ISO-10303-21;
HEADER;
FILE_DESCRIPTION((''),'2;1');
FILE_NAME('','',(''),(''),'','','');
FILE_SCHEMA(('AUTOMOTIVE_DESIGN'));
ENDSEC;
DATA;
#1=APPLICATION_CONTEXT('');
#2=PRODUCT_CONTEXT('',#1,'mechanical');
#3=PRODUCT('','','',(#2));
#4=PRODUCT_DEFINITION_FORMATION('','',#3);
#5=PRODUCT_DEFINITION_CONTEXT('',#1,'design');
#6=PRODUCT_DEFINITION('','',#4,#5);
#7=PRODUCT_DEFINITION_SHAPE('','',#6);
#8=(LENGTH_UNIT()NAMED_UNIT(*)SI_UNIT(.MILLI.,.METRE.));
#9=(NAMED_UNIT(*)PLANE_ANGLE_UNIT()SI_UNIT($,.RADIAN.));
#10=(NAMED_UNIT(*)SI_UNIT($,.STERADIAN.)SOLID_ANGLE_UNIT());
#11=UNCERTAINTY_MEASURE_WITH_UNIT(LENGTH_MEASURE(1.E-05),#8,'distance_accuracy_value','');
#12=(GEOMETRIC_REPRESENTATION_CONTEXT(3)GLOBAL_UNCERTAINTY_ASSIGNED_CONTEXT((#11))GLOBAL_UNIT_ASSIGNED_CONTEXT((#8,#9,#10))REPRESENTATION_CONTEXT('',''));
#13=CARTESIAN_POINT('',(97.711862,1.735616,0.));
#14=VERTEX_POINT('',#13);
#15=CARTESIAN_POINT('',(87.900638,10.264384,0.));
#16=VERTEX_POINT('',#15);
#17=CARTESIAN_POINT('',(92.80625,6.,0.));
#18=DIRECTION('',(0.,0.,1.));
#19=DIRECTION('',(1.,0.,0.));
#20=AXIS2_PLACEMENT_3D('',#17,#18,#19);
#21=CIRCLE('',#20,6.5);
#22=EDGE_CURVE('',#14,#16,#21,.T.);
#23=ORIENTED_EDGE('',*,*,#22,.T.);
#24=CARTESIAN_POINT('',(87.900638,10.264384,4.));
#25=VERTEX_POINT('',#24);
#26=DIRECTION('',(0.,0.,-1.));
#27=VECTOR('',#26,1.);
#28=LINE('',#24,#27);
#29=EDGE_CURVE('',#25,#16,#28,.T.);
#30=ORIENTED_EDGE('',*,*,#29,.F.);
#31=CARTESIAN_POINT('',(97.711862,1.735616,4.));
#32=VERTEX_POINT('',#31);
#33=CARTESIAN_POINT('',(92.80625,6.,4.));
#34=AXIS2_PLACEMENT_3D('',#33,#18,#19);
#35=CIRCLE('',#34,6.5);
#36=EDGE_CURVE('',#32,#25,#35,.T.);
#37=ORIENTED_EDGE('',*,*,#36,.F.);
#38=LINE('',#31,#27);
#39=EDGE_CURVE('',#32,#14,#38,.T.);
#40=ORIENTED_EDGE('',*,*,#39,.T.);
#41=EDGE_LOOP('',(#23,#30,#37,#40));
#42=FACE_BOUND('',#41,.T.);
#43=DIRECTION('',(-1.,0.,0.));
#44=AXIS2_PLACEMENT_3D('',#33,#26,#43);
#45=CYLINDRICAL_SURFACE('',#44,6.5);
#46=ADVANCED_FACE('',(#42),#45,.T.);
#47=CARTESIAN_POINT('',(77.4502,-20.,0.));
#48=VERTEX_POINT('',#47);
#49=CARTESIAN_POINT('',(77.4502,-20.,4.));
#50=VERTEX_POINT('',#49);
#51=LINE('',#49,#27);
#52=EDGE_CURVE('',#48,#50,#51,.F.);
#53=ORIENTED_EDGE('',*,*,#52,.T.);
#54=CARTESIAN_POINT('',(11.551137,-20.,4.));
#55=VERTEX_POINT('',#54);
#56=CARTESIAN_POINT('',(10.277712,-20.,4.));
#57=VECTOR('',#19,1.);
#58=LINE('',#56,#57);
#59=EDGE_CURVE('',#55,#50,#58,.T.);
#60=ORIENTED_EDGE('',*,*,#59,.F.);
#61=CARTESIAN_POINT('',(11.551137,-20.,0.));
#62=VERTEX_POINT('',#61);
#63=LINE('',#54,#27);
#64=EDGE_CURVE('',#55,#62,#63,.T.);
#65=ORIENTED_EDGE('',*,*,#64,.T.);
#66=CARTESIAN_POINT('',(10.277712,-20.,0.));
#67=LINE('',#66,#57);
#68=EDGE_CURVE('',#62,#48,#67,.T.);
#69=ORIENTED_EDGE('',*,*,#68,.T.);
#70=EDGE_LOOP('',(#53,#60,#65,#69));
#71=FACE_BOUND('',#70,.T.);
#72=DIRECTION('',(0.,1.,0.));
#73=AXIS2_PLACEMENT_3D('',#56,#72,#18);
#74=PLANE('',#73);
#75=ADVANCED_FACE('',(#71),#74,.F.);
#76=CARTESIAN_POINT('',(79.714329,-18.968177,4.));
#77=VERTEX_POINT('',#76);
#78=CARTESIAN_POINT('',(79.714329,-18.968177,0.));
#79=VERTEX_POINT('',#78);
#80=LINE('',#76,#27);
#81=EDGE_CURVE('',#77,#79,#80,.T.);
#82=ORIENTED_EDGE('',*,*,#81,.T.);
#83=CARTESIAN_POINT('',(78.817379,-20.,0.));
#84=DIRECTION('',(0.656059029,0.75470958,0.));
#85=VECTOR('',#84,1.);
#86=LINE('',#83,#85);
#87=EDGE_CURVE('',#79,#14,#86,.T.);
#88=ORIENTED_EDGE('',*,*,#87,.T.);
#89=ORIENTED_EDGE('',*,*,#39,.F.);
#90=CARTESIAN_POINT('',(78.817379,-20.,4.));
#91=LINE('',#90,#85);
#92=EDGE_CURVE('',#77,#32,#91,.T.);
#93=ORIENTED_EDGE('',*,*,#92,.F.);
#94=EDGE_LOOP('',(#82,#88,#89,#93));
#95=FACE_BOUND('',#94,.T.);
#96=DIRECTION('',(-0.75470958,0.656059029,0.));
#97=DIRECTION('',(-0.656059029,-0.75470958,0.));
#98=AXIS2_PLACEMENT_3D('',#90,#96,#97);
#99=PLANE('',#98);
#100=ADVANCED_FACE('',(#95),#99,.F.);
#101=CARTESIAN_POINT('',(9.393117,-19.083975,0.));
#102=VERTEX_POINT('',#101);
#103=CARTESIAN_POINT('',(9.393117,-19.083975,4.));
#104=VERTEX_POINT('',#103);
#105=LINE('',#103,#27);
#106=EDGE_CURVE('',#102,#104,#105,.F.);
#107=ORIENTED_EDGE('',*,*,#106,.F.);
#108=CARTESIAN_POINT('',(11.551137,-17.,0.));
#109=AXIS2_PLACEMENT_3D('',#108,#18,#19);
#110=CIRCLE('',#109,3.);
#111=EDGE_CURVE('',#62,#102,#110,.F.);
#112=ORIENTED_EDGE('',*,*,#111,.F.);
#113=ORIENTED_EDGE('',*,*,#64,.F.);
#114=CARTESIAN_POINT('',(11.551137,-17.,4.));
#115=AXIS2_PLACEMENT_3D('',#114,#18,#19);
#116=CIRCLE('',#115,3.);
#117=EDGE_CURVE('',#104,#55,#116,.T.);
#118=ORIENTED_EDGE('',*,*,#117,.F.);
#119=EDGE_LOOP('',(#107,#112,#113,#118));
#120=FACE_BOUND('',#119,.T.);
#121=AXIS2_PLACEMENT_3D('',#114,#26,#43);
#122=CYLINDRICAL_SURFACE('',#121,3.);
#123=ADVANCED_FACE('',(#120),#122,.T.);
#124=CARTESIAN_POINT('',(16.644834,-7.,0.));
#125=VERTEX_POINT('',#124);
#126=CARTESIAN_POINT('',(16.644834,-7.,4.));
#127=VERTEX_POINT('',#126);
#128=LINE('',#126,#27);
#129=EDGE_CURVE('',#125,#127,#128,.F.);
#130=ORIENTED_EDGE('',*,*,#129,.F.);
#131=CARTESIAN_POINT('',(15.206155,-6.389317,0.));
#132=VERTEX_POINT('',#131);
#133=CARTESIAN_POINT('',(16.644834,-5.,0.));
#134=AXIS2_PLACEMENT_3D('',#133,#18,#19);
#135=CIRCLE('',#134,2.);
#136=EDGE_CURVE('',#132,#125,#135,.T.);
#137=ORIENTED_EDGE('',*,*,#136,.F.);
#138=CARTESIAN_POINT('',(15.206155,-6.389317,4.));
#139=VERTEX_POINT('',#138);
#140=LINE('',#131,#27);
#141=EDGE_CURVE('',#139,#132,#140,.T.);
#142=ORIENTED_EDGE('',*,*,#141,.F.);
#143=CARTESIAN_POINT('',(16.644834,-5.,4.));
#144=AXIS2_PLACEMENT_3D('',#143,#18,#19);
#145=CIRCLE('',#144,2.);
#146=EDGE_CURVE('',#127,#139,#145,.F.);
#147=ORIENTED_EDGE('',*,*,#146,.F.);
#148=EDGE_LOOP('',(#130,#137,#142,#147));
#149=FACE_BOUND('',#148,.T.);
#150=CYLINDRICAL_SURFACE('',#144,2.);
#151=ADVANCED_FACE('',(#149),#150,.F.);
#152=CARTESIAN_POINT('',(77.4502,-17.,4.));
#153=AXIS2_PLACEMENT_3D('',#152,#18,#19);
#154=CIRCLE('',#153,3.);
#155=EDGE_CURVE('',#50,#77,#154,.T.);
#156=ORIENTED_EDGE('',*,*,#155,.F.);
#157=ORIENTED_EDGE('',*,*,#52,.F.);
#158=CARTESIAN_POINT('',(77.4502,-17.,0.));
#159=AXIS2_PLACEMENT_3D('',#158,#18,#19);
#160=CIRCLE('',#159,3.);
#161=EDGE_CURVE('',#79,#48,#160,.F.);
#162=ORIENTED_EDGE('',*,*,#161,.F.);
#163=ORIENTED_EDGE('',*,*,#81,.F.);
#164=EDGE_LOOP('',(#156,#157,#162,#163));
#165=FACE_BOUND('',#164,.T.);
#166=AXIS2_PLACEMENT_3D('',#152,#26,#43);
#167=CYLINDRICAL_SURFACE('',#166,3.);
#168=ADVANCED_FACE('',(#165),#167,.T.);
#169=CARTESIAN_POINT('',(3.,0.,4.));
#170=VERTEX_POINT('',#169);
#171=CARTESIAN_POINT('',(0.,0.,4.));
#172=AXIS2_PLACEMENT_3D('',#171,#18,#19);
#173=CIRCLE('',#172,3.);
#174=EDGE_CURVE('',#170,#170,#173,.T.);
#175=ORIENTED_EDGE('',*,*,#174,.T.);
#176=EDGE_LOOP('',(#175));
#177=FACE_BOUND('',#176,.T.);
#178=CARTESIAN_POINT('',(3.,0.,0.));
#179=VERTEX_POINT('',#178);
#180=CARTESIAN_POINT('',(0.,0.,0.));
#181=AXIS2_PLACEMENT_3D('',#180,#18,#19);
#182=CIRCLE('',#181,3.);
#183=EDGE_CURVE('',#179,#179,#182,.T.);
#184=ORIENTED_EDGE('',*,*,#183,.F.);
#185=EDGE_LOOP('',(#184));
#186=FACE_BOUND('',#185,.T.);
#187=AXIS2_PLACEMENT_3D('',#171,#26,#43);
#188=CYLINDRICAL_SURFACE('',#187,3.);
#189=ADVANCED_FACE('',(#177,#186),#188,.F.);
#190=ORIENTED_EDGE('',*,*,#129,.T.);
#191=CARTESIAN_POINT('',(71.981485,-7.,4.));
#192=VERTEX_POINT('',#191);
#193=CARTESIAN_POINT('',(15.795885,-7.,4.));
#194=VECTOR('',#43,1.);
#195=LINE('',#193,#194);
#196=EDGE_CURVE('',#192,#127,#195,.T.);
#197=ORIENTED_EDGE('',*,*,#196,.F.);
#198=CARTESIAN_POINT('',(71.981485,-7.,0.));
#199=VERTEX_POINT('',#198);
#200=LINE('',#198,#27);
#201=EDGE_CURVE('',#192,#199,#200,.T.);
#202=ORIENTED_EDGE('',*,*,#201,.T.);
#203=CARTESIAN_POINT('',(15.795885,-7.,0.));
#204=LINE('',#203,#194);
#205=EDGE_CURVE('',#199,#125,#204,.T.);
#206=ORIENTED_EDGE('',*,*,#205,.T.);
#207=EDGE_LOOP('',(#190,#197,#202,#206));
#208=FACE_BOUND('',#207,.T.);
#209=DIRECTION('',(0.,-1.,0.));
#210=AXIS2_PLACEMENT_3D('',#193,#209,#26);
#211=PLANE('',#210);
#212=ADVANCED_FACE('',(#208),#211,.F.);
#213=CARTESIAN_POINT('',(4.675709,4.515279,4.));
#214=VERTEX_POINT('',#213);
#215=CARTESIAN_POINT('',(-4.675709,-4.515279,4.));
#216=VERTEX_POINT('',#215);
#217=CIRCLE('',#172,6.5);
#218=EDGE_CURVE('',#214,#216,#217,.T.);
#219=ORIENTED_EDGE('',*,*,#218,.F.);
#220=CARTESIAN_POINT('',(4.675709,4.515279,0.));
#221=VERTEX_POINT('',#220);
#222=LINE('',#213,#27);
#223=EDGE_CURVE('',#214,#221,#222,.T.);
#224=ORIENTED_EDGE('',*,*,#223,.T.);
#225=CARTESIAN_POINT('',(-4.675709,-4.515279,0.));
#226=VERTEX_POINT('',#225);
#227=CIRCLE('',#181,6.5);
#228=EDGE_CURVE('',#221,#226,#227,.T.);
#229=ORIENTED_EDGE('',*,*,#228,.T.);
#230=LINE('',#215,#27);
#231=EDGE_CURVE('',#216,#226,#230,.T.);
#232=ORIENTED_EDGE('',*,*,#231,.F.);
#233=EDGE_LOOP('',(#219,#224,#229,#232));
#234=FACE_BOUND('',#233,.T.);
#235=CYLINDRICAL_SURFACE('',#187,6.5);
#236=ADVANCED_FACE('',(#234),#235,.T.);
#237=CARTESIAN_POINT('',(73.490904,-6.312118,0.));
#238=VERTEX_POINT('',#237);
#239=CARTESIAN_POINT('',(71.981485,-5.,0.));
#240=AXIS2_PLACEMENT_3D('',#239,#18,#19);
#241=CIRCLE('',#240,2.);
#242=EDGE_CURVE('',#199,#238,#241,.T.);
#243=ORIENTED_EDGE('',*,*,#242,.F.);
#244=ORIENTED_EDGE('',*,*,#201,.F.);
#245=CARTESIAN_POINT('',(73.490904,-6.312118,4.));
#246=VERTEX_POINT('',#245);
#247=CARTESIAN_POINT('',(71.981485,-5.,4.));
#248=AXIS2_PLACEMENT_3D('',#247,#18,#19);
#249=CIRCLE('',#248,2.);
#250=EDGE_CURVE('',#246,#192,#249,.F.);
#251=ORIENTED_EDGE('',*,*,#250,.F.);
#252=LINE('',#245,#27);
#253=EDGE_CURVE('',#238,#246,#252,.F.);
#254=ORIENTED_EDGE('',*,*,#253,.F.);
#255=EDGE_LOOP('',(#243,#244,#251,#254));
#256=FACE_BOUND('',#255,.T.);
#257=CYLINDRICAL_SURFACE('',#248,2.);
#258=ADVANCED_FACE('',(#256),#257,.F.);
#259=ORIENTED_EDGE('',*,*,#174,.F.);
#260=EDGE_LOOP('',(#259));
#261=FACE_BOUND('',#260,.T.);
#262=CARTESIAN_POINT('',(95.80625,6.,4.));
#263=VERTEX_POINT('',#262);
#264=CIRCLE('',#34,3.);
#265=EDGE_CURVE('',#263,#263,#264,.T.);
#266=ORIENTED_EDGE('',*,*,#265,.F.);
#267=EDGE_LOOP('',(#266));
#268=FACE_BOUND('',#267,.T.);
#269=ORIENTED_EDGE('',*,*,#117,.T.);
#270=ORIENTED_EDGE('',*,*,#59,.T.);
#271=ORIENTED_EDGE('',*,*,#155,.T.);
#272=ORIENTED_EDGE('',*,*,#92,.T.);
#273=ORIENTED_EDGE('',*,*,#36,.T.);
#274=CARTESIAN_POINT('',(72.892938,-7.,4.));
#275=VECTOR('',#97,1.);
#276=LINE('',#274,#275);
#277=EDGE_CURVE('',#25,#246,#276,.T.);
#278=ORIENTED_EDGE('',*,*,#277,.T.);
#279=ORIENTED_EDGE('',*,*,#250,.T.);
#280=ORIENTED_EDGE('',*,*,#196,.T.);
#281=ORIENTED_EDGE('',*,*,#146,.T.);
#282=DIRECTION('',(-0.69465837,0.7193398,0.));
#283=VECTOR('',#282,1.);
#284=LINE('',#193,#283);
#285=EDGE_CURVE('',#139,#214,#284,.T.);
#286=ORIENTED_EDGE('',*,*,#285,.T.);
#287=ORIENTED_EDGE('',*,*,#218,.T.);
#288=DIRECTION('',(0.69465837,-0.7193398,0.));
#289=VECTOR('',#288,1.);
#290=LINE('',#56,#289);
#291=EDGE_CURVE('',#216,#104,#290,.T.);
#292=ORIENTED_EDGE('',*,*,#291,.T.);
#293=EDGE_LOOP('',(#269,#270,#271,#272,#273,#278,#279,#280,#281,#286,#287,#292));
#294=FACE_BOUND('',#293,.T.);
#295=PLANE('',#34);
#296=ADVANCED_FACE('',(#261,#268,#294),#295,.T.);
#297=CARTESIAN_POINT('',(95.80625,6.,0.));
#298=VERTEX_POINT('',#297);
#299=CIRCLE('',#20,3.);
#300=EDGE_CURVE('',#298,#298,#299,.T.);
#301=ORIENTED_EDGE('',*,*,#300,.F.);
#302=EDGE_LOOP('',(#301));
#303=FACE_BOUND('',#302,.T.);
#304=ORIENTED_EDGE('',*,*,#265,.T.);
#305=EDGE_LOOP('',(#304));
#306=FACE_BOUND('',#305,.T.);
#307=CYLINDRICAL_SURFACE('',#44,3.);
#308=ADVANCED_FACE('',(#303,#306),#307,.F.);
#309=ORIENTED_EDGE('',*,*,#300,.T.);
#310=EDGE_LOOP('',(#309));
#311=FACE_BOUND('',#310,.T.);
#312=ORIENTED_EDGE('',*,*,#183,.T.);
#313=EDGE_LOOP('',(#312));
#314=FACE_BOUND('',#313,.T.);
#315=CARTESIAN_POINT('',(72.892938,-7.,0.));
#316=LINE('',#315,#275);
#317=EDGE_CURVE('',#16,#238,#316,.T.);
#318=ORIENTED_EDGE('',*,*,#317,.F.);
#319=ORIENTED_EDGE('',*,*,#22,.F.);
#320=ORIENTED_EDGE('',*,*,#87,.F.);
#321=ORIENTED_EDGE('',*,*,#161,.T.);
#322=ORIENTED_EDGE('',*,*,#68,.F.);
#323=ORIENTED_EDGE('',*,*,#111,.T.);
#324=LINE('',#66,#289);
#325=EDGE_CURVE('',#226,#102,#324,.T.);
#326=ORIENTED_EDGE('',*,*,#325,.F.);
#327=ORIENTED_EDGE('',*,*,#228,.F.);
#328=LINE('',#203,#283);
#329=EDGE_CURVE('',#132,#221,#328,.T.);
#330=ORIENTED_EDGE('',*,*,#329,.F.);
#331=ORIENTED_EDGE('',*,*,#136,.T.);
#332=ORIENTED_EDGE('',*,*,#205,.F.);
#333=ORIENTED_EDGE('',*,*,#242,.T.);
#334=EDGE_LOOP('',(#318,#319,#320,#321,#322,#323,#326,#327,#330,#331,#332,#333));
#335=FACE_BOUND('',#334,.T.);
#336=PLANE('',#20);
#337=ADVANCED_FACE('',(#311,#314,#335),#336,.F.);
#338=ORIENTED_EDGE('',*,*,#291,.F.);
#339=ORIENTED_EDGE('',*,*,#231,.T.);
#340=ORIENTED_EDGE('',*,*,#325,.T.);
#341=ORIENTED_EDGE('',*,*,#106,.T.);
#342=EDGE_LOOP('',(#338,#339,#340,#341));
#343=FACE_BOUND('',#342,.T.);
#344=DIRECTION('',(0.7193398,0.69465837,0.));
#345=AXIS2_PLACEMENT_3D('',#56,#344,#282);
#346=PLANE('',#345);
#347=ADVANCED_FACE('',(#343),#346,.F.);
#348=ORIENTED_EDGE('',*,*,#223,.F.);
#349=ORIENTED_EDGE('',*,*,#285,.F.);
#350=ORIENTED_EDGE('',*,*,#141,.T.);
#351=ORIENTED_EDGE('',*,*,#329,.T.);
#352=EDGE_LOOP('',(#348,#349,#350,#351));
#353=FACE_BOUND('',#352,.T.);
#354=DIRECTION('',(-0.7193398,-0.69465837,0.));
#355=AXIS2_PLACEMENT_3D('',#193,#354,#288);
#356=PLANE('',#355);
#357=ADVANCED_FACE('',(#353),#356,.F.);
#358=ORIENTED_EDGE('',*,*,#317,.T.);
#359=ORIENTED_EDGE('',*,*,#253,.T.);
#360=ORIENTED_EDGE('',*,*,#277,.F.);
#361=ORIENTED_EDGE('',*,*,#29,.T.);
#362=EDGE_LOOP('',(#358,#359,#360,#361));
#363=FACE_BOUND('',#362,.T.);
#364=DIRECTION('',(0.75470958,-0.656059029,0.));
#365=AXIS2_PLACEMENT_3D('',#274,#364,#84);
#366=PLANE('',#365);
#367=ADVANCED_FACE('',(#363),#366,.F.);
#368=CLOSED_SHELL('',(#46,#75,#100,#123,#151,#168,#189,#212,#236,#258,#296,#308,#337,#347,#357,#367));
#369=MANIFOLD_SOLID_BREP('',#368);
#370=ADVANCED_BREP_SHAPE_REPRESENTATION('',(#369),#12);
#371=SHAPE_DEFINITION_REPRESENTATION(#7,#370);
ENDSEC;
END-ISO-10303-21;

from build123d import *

# Parameters (mm, degrees)
ESQUISSE1_R          = 3
BASE_EXTRUSION_DEPTH = 4
CONG_1_R             = 3
CONG_2_R             = 2


with BuildPart() as part:
    # Esquisse1 → Base-Extrusion (new body)
    with BuildSketch(Plane.XY):
        with BuildLine():
            Line((15.795884765, -7), (72.892937741, -7))
            Line((72.892937741, -7), (87.900637518, 10.264383688))
            ThreePointArc((87.900637518, 10.264383688), (97.070633478, 10.905612271), (97.711862061, 1.735616312))
            Line((97.711862061, 1.735616312), (78.817379063, -20))
            Line((78.817379063, -20), (10.277712155, -20))
            Line((10.277712155, -20), (-4.675708702, -4.515279408))
            ThreePointArc((-4.675708702, -4.515279408), (-4.515279408, 4.675708702), (4.675708702, 4.515279408))
            Line((4.675708702, 4.515279408), (15.795884765, -7))
        make_face()
        Circle(ESQUISSE1_R, mode=Mode.SUBTRACT)
        with Locations((92.80624979, 6)):
            Circle(ESQUISSE1_R, mode=Mode.SUBTRACT)
    extrude(amount=BASE_EXTRUSION_DEPTH)

    # Congé1
    cong_1_edges = [part.edges().sort_by_distance(p)[0] for p in [
        (78.817379063, -20, 2),
        (10.277712155, -20, 2),
    ]]
    fillet(cong_1_edges, radius=CONG_1_R)

    # Congé2
    cong_2_edges = [part.edges().sort_by_distance(p)[0] for p in [
        (72.892937741, -7, 2),
        (15.795884765, -7, 2),
    ]]
    fillet(cong_2_edges, radius=CONG_2_R)


solid = part.part
